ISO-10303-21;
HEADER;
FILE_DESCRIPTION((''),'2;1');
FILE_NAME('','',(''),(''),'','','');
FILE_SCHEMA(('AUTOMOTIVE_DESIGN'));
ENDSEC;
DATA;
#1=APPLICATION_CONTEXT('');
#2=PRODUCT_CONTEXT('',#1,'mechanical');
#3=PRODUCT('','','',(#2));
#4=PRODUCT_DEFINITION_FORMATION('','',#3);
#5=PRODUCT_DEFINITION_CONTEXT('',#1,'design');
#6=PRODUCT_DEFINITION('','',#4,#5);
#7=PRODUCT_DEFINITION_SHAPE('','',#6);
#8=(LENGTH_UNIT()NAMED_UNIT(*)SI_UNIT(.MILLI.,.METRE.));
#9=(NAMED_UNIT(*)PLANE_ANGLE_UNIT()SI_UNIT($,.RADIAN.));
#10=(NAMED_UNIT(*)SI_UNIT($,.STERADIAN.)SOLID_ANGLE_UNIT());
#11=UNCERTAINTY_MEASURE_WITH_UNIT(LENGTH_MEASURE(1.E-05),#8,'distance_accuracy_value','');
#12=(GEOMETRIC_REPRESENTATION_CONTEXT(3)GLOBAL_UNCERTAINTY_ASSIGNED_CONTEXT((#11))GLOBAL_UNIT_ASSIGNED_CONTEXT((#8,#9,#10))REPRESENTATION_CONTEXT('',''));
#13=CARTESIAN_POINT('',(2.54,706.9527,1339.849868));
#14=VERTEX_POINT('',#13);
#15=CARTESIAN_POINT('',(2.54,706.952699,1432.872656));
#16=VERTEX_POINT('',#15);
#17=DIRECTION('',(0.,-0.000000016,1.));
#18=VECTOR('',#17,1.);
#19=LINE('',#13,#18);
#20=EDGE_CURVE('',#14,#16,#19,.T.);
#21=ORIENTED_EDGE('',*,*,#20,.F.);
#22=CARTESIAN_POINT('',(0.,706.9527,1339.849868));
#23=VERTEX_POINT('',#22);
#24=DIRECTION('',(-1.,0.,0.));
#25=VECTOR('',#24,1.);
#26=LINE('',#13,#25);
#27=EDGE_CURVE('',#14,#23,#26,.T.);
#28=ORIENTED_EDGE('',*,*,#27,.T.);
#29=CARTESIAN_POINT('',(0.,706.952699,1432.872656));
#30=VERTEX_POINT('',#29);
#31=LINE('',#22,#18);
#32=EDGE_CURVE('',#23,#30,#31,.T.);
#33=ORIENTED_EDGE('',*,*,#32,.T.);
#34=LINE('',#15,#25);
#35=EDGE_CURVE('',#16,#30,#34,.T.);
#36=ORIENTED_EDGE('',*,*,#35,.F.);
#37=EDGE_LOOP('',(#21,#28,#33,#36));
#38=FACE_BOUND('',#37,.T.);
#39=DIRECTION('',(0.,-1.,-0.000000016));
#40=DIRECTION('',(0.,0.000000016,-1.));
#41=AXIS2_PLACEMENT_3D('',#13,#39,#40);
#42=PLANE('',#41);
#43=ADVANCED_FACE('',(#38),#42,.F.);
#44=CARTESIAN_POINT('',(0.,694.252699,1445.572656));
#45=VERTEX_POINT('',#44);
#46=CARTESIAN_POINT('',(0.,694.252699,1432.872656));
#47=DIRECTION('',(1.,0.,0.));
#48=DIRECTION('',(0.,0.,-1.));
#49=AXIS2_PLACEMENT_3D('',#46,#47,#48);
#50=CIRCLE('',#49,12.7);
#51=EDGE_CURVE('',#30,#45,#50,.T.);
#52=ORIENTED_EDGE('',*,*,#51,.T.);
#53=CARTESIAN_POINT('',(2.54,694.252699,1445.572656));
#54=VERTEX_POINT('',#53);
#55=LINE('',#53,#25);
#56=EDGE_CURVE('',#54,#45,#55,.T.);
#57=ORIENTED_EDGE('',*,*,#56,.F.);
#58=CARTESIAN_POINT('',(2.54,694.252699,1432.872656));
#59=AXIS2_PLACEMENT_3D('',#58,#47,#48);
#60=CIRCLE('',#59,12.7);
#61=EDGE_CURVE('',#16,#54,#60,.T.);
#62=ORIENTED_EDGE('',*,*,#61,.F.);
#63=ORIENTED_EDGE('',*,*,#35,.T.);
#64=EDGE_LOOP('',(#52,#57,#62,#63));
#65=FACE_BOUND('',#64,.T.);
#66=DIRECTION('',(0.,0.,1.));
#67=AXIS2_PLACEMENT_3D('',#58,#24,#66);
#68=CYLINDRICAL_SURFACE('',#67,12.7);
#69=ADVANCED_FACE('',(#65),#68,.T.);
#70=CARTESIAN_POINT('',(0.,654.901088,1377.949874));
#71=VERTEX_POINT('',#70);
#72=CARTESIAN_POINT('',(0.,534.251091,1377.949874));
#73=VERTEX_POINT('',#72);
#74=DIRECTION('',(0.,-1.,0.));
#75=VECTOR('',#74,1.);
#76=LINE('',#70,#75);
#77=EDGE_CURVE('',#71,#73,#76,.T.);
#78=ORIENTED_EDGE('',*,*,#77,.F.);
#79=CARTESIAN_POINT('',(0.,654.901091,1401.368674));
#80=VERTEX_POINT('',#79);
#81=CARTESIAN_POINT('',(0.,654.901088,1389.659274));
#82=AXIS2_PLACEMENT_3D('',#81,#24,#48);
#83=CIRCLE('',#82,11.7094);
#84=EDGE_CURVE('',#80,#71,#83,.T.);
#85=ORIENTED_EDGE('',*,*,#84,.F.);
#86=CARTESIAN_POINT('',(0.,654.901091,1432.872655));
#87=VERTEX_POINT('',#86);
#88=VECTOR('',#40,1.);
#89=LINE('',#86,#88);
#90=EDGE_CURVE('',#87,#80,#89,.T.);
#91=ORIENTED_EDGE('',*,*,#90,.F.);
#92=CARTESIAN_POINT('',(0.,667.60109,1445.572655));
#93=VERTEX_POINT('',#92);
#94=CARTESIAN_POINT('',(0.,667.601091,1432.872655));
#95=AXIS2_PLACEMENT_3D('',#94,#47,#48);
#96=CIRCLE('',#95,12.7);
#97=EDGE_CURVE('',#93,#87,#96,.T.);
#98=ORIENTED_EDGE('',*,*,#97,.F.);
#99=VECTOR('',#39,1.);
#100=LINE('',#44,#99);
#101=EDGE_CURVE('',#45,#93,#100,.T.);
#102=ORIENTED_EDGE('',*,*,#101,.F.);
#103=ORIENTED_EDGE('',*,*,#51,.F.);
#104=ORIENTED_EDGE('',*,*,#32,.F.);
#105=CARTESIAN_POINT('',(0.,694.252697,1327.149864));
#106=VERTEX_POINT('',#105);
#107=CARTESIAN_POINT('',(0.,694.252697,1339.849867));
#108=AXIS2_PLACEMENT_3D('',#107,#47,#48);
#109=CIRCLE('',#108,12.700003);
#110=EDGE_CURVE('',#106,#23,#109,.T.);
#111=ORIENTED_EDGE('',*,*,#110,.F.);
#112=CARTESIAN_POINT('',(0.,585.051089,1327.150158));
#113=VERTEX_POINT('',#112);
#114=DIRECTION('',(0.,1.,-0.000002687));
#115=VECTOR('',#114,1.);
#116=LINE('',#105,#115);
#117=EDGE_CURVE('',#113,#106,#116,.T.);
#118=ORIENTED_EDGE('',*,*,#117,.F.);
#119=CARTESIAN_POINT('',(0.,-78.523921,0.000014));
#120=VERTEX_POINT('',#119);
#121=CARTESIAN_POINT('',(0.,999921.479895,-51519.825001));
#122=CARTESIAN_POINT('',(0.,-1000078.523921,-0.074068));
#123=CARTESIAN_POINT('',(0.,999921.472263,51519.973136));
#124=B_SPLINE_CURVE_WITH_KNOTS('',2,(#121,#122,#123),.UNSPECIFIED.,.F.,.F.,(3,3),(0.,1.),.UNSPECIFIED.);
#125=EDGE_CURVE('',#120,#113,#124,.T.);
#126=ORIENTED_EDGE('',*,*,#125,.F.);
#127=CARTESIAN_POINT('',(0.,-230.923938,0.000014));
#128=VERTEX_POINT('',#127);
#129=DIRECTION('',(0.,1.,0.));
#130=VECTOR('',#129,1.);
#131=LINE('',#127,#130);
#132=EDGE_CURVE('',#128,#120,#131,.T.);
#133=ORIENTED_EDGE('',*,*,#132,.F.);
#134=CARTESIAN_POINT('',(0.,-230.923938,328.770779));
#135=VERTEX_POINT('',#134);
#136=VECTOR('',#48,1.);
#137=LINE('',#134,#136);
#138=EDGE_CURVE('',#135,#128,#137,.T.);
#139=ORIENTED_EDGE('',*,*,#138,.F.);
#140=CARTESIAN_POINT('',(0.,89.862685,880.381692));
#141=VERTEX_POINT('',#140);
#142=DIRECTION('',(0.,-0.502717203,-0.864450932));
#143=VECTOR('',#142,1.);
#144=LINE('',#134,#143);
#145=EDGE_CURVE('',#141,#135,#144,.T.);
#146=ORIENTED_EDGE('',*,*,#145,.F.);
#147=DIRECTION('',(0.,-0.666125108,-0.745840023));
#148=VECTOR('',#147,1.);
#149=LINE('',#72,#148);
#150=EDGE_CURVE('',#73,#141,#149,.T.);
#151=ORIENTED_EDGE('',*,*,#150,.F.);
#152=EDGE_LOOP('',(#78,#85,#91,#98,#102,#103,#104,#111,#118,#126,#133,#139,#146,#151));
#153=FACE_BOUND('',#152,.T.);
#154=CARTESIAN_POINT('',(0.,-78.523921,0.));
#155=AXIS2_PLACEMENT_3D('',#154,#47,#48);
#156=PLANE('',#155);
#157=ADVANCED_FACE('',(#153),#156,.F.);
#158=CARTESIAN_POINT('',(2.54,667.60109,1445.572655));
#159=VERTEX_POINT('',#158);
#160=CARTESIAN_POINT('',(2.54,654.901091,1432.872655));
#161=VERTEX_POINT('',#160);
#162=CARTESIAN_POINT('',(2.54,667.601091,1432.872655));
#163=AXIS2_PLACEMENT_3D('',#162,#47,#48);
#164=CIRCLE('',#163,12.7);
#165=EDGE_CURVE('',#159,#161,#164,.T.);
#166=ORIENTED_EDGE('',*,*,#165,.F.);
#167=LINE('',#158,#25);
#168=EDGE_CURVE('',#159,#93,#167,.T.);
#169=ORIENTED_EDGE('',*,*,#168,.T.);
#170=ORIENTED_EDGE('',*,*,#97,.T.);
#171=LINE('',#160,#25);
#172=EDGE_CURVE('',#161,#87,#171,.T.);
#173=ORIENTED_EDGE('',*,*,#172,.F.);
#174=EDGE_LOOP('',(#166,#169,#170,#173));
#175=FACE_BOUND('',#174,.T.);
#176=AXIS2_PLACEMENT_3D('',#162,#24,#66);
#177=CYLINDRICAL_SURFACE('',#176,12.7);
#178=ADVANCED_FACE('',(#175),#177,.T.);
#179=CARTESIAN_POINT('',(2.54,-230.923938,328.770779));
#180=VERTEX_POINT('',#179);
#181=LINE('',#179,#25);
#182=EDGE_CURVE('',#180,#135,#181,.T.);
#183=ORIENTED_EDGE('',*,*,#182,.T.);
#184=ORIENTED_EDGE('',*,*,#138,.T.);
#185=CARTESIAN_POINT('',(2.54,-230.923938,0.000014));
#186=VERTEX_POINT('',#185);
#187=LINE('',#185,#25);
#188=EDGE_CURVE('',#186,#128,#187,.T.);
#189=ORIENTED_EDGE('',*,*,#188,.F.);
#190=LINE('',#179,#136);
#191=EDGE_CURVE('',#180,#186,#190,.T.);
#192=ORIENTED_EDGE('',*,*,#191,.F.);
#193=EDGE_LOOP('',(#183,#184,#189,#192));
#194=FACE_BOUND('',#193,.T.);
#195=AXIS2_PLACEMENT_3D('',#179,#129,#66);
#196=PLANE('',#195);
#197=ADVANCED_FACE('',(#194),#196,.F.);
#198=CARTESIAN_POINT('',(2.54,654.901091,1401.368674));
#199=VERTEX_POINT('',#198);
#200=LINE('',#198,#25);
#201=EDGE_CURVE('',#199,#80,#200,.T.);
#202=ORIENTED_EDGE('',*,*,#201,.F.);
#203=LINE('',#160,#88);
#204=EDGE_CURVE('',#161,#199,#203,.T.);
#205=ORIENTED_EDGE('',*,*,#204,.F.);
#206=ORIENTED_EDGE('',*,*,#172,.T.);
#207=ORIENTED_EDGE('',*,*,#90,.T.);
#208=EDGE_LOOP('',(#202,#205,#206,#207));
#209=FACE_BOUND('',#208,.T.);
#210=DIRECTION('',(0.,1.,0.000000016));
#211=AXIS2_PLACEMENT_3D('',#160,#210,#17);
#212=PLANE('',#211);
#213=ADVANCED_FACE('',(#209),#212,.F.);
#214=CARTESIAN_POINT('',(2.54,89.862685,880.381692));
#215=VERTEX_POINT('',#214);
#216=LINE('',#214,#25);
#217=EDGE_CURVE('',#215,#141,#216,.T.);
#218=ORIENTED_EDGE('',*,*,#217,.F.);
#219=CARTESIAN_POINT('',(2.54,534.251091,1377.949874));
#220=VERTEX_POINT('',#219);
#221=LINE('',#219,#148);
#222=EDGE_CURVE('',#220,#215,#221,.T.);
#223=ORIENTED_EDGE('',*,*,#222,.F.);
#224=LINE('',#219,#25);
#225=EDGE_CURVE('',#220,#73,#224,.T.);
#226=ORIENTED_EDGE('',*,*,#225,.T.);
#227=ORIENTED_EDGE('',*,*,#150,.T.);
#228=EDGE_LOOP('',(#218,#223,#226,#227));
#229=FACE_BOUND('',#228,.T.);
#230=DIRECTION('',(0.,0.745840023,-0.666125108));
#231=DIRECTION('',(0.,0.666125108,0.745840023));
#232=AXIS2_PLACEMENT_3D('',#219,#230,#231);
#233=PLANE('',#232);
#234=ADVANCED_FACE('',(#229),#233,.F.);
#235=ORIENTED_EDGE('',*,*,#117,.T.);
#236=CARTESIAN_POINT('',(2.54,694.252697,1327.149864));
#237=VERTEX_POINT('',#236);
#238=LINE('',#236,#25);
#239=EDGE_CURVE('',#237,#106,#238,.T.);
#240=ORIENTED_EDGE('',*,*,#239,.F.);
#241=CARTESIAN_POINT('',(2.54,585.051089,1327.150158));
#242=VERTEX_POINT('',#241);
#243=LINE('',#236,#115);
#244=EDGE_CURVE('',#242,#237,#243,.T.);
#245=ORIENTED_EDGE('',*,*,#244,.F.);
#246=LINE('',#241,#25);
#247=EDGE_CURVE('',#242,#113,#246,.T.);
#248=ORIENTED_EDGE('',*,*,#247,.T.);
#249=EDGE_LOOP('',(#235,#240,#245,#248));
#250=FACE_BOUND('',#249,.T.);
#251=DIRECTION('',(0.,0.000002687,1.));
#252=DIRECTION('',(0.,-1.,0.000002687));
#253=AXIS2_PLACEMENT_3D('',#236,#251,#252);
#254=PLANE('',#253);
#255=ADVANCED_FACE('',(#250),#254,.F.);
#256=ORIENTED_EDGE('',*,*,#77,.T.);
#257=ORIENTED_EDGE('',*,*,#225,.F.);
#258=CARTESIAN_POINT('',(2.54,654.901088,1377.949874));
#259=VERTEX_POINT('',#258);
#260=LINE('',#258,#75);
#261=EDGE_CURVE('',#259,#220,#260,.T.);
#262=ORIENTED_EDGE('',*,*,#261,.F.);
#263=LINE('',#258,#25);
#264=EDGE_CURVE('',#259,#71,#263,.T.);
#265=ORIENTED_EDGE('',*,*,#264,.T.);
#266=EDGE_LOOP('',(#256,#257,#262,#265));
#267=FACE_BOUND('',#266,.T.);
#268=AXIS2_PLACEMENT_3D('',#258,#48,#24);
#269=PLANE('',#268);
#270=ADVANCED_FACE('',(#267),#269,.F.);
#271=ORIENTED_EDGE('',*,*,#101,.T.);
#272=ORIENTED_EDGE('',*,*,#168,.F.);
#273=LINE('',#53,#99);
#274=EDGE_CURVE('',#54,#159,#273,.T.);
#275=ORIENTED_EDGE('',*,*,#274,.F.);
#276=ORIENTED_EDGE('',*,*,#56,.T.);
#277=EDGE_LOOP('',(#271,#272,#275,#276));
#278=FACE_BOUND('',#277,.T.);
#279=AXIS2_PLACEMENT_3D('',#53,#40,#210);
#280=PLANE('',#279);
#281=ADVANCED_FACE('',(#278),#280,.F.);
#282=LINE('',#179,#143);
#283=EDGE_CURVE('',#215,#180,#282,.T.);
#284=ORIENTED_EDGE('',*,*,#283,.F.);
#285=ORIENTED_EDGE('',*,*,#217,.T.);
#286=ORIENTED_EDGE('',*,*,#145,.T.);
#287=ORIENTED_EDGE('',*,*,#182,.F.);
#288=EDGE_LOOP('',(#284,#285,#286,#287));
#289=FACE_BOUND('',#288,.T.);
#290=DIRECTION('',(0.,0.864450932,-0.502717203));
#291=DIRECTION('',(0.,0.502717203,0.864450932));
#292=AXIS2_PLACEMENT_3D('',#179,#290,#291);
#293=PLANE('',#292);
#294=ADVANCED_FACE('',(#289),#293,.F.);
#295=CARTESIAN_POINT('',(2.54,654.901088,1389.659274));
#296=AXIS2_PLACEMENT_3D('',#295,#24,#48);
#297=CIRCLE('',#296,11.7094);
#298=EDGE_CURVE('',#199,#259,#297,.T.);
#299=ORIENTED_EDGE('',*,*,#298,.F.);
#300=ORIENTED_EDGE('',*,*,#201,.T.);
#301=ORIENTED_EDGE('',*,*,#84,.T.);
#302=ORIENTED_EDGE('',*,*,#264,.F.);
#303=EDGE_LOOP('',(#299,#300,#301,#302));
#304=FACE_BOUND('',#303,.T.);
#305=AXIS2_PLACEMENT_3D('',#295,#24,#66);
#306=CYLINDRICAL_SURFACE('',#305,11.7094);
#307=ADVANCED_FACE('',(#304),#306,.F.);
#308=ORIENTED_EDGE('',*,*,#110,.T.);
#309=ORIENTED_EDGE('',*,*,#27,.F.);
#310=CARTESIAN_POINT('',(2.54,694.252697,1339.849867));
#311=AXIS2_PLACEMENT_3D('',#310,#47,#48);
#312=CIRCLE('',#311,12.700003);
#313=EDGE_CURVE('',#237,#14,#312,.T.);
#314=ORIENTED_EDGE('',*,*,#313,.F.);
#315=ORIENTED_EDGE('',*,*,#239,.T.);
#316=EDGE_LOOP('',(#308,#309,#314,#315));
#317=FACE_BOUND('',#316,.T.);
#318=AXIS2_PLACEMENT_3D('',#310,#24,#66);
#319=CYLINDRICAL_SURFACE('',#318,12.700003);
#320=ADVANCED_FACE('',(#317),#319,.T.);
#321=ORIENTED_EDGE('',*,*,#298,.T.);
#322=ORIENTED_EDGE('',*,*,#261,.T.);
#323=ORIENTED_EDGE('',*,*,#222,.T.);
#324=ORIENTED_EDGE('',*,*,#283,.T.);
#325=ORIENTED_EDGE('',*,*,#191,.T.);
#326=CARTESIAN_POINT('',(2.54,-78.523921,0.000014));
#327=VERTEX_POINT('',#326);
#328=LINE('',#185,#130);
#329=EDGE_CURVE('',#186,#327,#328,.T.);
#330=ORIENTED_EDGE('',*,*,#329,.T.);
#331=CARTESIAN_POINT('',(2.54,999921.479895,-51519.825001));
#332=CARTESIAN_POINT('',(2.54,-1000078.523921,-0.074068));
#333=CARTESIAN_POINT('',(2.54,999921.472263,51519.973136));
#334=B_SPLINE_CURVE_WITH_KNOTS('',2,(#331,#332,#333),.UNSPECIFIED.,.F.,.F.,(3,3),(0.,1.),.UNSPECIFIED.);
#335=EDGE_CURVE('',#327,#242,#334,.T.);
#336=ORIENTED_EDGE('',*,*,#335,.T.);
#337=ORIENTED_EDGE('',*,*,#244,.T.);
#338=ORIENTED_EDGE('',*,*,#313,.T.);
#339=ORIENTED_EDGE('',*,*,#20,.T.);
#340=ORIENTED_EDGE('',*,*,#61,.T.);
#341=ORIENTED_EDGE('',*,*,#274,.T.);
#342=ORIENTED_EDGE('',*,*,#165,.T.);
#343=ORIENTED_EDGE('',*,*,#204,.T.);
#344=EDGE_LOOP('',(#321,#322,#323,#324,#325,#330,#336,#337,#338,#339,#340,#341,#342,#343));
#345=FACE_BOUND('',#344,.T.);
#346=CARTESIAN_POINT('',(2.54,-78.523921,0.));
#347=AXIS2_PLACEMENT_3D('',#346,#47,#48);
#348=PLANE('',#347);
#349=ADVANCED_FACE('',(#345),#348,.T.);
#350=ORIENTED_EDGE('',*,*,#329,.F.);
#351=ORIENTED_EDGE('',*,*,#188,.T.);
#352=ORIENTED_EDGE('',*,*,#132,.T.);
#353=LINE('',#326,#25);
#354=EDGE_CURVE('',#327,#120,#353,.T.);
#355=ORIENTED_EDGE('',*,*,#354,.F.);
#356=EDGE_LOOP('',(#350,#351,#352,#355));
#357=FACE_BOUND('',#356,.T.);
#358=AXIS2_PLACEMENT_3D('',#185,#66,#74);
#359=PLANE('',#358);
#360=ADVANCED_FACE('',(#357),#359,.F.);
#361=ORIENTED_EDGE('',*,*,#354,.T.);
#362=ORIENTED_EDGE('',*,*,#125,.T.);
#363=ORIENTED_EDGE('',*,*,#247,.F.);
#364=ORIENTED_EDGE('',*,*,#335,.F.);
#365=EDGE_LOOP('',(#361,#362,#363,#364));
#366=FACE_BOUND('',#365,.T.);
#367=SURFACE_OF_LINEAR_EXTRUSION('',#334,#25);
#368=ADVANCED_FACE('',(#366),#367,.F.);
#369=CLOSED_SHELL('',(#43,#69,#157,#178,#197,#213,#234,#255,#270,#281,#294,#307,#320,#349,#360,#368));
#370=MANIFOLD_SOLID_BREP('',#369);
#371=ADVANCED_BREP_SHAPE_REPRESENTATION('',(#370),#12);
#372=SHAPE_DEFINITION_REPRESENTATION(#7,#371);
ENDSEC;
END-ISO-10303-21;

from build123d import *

# Parameters (mm, degrees)
BOSS_EXTRUDE3_DEPTH = 2.54


with BuildPart() as part:
    # Sketch1 → Boss-Extrude3 (new body)
    with BuildSketch(Plane(origin=(0, 0, 0), x_dir=(0, 0, -1), z_dir=(1, 0, 0))):
        with BuildLine():
            Line((-328.770779224, -230.923937708), (-1.3867e-05, -230.923937708))
            Line((-1.3867e-05, -230.923937708), (-1.3866e-05, -78.523920986))
            add(Edge.make_bspline(
                [(-1.3866e-05, -78.523920986), (-663.575061276, -78.523963202), (-1327.150157835, 585.051089401)],
                knots=[0, 0, 0, 1, 1, 1], degree=2))
            Line((-1327.150157835, 585.051089401), (-1327.149864381, 694.252697447))
            ThreePointArc((-1327.149864381, 694.252697447), (-1330.869609261, 703.232955586), (-1339.849867516, 706.952700185))
            Line((-1339.849867516, 706.952700185), (-1432.872655994, 706.952698728))
            ThreePointArc((-1432.872655994, 706.952698728), (-1441.852912057, 703.232954709), (-1445.572655795, 694.25269853))
            Line((-1445.572655795, 694.25269853), (-1445.572655378, 667.601090483))
            ThreePointArc((-1445.572655378, 667.601090483), (-1441.852911359, 658.620834421), (-1432.872655179, 654.901090682))
            Line((-1432.872655179, 654.901090682), (-1401.368674128, 654.901091175))
            ThreePointArc((-1401.368674128, 654.901091175), (-1389.659272694, 666.610488308), (-1377.949874128, 654.901088308))
            Line((-1377.949874128, 654.901088308), (-1377.949874128, 534.251091161))
            Line((-1377.949874128, 534.251091161), (-880.381692198, 89.86268528))
            Line((-880.381692198, 89.86268528), (-328.770779224, -230.923937708))
        make_face()
    extrude(amount=BOSS_EXTRUDE3_DEPTH)


solid = part.part
